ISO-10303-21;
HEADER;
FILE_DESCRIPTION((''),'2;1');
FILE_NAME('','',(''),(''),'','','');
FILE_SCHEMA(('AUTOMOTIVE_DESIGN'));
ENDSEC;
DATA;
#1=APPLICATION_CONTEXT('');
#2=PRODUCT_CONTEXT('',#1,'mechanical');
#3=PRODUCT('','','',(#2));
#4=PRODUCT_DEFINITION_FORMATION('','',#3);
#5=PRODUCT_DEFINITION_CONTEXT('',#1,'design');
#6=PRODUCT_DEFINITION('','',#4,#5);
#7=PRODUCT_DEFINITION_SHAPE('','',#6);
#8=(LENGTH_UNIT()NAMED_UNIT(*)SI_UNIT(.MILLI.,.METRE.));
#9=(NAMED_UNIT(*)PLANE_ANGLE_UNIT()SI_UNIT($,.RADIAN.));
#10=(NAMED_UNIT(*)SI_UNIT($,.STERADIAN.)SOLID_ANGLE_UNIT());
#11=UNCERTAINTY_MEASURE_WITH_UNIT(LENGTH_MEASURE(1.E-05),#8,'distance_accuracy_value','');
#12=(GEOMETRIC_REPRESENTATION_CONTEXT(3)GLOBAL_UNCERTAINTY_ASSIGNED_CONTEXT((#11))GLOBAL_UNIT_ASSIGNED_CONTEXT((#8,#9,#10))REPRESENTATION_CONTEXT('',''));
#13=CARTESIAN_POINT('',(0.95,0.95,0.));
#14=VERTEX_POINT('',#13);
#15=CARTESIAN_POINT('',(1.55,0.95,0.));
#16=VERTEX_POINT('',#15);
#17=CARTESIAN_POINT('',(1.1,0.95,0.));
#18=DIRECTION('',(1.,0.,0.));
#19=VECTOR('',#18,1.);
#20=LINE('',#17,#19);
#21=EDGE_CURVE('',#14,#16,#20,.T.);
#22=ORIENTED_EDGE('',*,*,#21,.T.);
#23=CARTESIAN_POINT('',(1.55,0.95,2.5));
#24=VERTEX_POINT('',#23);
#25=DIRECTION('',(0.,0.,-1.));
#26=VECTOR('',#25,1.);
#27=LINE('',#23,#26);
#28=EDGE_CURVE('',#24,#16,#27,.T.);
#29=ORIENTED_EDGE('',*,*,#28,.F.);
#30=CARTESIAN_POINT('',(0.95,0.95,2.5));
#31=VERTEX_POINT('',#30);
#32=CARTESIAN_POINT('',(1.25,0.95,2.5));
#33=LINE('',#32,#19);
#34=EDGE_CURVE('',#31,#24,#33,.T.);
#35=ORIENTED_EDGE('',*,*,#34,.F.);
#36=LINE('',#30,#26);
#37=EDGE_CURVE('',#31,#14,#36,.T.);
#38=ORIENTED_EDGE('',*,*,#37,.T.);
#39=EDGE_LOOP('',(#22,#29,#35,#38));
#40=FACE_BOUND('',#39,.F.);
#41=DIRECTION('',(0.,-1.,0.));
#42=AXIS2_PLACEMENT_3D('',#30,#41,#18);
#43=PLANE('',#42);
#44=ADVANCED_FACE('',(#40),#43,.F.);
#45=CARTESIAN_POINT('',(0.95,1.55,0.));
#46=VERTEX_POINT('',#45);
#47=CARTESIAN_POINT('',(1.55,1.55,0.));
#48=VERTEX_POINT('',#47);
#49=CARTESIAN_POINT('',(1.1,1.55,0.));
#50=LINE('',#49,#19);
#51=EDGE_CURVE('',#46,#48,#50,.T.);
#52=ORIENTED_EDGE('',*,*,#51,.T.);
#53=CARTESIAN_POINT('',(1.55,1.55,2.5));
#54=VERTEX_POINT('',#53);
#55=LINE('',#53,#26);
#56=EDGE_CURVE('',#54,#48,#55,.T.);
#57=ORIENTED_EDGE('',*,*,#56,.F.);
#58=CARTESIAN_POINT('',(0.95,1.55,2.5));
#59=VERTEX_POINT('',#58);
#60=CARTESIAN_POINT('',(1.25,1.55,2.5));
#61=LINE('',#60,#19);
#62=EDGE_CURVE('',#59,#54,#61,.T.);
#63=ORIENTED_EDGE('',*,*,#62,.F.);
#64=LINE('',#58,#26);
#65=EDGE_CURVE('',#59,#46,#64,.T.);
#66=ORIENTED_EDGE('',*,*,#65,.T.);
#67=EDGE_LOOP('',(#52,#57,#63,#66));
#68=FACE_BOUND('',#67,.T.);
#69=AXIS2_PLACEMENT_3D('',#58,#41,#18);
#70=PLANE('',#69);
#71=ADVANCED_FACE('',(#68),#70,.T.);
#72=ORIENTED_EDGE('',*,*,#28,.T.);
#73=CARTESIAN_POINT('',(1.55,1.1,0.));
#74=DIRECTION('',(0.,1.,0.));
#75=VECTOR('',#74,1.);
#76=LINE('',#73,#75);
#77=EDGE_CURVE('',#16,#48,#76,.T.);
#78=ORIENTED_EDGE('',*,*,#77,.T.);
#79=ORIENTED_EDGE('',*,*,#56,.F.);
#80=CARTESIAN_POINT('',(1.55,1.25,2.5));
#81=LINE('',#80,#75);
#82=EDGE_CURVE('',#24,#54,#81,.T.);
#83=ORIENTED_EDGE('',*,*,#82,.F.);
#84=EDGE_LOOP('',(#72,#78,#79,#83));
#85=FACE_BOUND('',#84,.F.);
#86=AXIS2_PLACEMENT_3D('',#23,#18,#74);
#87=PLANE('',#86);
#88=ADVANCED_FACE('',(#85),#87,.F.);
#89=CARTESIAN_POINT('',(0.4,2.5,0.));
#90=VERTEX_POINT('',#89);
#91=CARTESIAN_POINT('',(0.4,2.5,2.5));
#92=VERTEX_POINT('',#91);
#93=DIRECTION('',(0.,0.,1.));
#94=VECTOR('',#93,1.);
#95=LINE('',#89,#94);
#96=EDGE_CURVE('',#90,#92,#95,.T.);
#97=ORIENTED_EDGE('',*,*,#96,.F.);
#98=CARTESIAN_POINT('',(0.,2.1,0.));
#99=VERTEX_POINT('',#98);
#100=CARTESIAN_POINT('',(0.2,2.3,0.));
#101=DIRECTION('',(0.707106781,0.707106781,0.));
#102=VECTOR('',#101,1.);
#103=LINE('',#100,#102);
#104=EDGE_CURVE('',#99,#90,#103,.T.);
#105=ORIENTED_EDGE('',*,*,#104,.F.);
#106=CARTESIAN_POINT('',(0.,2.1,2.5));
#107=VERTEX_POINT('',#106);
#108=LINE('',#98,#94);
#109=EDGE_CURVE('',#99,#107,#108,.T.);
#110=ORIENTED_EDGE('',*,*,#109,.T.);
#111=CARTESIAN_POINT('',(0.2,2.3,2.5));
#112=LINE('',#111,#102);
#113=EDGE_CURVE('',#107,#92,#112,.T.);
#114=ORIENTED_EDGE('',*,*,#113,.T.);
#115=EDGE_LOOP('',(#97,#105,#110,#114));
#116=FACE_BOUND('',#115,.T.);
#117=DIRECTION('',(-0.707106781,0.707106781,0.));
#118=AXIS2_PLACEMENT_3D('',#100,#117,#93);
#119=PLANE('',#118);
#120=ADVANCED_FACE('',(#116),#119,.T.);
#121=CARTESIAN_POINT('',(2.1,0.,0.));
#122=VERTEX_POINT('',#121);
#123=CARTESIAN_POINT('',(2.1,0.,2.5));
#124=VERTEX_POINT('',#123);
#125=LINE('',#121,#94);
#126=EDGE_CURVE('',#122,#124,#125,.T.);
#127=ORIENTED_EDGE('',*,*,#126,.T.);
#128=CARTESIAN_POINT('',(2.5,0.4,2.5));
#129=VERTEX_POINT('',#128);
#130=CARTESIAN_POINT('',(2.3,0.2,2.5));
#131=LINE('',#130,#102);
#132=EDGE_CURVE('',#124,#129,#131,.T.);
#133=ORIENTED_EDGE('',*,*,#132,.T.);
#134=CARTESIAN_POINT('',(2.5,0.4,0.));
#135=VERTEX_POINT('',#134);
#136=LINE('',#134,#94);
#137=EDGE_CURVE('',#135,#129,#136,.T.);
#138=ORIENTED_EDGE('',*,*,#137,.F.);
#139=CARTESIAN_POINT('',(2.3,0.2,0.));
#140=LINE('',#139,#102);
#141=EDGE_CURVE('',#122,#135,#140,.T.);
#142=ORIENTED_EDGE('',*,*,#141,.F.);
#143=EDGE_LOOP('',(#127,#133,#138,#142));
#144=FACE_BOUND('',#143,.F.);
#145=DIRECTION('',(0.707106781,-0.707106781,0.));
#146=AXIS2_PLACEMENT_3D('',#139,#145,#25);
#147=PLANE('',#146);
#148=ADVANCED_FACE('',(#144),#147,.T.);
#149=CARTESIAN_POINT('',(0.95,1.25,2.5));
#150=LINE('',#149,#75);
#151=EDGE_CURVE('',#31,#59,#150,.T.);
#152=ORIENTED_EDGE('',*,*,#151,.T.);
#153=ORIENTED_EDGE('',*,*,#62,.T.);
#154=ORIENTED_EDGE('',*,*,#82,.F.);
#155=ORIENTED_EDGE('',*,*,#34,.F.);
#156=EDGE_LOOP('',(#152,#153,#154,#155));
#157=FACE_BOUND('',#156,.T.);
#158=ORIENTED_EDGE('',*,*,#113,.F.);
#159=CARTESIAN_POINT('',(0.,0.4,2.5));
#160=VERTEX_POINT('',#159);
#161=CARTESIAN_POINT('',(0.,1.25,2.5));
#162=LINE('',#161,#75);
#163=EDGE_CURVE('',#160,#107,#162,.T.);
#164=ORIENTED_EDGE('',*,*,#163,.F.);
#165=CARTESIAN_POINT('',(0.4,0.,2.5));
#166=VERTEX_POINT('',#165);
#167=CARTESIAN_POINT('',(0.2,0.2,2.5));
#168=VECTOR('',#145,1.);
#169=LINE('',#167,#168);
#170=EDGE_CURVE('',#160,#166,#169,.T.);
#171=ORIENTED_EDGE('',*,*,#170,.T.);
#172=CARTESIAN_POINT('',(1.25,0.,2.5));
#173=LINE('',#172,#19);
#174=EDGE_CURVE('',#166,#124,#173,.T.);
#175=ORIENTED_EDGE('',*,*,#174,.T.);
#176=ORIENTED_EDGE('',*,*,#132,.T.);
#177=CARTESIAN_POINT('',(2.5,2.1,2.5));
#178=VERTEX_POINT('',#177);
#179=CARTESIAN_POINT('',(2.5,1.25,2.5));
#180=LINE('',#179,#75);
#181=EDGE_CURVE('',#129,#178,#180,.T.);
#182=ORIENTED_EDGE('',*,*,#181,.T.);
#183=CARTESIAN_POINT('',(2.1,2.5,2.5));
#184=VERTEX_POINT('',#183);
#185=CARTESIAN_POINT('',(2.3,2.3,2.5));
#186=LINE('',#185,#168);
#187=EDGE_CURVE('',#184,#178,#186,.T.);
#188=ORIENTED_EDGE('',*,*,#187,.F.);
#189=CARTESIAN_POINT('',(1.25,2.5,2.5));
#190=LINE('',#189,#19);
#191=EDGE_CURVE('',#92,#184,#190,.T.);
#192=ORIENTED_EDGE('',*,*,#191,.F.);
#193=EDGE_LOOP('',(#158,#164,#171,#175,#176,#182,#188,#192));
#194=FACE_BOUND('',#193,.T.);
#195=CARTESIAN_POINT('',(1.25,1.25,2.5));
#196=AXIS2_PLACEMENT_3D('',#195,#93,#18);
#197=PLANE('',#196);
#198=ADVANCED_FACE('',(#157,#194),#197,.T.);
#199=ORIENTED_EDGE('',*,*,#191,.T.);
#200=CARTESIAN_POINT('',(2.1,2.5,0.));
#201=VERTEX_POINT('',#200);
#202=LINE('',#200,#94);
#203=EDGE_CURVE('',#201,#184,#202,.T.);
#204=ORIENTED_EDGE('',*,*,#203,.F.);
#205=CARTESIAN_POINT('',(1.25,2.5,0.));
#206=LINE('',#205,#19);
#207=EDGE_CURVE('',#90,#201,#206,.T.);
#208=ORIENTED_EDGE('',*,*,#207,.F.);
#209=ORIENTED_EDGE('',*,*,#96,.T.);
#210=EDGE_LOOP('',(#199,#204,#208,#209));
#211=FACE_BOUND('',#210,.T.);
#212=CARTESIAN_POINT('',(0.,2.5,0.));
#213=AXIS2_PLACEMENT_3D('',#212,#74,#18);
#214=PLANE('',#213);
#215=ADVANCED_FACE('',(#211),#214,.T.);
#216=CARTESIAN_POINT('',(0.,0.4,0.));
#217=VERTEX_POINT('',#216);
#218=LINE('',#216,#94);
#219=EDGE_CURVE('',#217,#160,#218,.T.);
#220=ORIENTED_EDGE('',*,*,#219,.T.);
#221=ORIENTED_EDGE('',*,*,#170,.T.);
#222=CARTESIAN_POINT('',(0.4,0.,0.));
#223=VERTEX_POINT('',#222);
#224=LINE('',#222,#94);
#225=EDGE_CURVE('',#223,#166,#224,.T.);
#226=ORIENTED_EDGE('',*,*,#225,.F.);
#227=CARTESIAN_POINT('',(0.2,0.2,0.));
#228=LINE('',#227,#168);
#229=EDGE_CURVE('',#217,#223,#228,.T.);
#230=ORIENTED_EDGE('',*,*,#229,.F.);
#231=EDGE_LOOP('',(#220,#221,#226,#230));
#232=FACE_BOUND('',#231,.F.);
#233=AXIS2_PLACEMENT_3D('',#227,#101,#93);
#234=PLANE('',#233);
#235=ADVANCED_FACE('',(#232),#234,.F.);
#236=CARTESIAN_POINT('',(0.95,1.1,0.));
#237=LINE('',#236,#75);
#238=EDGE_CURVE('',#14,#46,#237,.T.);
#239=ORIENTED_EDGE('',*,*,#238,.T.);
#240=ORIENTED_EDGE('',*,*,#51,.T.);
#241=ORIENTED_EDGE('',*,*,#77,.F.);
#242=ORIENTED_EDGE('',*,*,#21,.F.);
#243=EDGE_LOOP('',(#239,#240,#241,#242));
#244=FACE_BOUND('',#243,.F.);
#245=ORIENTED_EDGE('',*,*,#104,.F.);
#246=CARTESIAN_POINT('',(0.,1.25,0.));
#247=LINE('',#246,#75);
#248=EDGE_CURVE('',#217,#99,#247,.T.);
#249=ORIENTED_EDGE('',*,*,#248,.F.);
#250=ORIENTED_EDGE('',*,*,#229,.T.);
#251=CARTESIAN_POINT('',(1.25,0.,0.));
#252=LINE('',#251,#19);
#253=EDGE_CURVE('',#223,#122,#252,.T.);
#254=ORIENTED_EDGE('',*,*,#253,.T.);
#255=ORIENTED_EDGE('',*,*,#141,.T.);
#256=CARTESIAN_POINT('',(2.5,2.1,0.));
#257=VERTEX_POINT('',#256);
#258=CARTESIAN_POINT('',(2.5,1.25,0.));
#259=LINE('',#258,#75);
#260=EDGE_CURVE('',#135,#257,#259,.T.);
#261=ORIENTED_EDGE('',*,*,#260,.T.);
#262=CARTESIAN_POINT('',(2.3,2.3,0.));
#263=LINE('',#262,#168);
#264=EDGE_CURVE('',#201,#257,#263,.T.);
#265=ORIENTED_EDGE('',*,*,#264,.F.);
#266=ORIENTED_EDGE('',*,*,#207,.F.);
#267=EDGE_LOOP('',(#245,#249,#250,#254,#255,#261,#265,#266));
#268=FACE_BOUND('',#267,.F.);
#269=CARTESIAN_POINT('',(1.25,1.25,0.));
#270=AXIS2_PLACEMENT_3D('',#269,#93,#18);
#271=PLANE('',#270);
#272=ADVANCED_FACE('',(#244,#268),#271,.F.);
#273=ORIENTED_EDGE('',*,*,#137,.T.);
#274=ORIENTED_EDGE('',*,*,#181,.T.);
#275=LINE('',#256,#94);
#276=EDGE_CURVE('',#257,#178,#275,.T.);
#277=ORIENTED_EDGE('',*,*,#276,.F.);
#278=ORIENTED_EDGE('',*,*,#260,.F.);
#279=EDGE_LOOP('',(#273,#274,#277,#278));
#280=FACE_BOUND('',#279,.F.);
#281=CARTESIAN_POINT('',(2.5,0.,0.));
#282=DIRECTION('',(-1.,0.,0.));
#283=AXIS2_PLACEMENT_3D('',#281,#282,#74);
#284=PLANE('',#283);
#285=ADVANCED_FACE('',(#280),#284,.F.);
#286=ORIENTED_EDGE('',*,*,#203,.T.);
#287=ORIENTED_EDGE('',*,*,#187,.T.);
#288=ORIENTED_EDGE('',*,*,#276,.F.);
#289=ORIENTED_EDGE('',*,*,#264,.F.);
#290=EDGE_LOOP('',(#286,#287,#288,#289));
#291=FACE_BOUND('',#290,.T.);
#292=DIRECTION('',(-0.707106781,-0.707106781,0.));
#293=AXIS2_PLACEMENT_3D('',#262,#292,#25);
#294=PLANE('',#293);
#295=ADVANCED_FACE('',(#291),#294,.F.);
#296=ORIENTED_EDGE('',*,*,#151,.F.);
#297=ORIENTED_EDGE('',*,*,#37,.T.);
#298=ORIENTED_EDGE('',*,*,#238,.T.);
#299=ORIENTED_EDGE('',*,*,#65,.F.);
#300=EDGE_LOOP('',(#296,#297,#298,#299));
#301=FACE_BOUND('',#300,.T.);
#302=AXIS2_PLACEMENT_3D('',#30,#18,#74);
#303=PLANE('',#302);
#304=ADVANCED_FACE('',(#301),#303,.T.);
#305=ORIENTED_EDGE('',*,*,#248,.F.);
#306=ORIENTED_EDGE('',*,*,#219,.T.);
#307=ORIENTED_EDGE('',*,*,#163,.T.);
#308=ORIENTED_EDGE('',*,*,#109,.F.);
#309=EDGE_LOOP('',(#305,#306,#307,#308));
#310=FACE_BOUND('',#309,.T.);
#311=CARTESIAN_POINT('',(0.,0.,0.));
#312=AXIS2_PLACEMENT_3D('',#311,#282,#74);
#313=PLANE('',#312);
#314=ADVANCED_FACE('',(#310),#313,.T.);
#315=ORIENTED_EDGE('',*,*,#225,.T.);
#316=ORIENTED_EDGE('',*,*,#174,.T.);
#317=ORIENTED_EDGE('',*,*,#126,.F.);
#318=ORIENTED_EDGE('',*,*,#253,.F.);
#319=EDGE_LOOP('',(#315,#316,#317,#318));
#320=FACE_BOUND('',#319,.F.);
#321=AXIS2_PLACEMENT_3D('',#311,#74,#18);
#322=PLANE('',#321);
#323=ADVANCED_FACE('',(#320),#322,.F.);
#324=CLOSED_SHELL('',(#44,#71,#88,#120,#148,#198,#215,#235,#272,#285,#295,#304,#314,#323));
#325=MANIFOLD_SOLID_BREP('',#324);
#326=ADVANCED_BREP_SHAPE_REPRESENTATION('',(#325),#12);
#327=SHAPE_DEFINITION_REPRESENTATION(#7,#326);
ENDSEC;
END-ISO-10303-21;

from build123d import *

# Parameters (mm, degrees)
F0_W     = 2.5
F0_H     = 2.5
F1_DEPTH = 2.5
F2_W     = 0.6
F2_H     = 0.6
F3_DEPTH = 25
F4_SIZE  = 0.4


with BuildPart() as f1:
    # F0 (on Top) → F1 (new body)
    with BuildSketch(Plane.XY):
        with Locations((1.25, 1.25)):
            Rectangle(F0_W, F0_H)
    extrude(amount=F1_DEPTH)

    # F2 (on face) → F3 (cut)
    with BuildSketch(Plane.XY.offset(2.5)):
        with Locations((1.25, 1.25)):
            Rectangle(F2_W, F2_H)
    extrude(amount=-F3_DEPTH, mode=Mode.SUBTRACT)

    # F4
    f4_edges = [f1.edges().sort_by_distance(p)[0] for p in [
        (0, 0, 1.25),
        (2.5, 0, 1.25),
        (2.5, 2.5, 1.25),
        (0, 2.5, 1.25),
    ]]
    chamfer(f4_edges, length=F4_SIZE)


solid = f1.part
